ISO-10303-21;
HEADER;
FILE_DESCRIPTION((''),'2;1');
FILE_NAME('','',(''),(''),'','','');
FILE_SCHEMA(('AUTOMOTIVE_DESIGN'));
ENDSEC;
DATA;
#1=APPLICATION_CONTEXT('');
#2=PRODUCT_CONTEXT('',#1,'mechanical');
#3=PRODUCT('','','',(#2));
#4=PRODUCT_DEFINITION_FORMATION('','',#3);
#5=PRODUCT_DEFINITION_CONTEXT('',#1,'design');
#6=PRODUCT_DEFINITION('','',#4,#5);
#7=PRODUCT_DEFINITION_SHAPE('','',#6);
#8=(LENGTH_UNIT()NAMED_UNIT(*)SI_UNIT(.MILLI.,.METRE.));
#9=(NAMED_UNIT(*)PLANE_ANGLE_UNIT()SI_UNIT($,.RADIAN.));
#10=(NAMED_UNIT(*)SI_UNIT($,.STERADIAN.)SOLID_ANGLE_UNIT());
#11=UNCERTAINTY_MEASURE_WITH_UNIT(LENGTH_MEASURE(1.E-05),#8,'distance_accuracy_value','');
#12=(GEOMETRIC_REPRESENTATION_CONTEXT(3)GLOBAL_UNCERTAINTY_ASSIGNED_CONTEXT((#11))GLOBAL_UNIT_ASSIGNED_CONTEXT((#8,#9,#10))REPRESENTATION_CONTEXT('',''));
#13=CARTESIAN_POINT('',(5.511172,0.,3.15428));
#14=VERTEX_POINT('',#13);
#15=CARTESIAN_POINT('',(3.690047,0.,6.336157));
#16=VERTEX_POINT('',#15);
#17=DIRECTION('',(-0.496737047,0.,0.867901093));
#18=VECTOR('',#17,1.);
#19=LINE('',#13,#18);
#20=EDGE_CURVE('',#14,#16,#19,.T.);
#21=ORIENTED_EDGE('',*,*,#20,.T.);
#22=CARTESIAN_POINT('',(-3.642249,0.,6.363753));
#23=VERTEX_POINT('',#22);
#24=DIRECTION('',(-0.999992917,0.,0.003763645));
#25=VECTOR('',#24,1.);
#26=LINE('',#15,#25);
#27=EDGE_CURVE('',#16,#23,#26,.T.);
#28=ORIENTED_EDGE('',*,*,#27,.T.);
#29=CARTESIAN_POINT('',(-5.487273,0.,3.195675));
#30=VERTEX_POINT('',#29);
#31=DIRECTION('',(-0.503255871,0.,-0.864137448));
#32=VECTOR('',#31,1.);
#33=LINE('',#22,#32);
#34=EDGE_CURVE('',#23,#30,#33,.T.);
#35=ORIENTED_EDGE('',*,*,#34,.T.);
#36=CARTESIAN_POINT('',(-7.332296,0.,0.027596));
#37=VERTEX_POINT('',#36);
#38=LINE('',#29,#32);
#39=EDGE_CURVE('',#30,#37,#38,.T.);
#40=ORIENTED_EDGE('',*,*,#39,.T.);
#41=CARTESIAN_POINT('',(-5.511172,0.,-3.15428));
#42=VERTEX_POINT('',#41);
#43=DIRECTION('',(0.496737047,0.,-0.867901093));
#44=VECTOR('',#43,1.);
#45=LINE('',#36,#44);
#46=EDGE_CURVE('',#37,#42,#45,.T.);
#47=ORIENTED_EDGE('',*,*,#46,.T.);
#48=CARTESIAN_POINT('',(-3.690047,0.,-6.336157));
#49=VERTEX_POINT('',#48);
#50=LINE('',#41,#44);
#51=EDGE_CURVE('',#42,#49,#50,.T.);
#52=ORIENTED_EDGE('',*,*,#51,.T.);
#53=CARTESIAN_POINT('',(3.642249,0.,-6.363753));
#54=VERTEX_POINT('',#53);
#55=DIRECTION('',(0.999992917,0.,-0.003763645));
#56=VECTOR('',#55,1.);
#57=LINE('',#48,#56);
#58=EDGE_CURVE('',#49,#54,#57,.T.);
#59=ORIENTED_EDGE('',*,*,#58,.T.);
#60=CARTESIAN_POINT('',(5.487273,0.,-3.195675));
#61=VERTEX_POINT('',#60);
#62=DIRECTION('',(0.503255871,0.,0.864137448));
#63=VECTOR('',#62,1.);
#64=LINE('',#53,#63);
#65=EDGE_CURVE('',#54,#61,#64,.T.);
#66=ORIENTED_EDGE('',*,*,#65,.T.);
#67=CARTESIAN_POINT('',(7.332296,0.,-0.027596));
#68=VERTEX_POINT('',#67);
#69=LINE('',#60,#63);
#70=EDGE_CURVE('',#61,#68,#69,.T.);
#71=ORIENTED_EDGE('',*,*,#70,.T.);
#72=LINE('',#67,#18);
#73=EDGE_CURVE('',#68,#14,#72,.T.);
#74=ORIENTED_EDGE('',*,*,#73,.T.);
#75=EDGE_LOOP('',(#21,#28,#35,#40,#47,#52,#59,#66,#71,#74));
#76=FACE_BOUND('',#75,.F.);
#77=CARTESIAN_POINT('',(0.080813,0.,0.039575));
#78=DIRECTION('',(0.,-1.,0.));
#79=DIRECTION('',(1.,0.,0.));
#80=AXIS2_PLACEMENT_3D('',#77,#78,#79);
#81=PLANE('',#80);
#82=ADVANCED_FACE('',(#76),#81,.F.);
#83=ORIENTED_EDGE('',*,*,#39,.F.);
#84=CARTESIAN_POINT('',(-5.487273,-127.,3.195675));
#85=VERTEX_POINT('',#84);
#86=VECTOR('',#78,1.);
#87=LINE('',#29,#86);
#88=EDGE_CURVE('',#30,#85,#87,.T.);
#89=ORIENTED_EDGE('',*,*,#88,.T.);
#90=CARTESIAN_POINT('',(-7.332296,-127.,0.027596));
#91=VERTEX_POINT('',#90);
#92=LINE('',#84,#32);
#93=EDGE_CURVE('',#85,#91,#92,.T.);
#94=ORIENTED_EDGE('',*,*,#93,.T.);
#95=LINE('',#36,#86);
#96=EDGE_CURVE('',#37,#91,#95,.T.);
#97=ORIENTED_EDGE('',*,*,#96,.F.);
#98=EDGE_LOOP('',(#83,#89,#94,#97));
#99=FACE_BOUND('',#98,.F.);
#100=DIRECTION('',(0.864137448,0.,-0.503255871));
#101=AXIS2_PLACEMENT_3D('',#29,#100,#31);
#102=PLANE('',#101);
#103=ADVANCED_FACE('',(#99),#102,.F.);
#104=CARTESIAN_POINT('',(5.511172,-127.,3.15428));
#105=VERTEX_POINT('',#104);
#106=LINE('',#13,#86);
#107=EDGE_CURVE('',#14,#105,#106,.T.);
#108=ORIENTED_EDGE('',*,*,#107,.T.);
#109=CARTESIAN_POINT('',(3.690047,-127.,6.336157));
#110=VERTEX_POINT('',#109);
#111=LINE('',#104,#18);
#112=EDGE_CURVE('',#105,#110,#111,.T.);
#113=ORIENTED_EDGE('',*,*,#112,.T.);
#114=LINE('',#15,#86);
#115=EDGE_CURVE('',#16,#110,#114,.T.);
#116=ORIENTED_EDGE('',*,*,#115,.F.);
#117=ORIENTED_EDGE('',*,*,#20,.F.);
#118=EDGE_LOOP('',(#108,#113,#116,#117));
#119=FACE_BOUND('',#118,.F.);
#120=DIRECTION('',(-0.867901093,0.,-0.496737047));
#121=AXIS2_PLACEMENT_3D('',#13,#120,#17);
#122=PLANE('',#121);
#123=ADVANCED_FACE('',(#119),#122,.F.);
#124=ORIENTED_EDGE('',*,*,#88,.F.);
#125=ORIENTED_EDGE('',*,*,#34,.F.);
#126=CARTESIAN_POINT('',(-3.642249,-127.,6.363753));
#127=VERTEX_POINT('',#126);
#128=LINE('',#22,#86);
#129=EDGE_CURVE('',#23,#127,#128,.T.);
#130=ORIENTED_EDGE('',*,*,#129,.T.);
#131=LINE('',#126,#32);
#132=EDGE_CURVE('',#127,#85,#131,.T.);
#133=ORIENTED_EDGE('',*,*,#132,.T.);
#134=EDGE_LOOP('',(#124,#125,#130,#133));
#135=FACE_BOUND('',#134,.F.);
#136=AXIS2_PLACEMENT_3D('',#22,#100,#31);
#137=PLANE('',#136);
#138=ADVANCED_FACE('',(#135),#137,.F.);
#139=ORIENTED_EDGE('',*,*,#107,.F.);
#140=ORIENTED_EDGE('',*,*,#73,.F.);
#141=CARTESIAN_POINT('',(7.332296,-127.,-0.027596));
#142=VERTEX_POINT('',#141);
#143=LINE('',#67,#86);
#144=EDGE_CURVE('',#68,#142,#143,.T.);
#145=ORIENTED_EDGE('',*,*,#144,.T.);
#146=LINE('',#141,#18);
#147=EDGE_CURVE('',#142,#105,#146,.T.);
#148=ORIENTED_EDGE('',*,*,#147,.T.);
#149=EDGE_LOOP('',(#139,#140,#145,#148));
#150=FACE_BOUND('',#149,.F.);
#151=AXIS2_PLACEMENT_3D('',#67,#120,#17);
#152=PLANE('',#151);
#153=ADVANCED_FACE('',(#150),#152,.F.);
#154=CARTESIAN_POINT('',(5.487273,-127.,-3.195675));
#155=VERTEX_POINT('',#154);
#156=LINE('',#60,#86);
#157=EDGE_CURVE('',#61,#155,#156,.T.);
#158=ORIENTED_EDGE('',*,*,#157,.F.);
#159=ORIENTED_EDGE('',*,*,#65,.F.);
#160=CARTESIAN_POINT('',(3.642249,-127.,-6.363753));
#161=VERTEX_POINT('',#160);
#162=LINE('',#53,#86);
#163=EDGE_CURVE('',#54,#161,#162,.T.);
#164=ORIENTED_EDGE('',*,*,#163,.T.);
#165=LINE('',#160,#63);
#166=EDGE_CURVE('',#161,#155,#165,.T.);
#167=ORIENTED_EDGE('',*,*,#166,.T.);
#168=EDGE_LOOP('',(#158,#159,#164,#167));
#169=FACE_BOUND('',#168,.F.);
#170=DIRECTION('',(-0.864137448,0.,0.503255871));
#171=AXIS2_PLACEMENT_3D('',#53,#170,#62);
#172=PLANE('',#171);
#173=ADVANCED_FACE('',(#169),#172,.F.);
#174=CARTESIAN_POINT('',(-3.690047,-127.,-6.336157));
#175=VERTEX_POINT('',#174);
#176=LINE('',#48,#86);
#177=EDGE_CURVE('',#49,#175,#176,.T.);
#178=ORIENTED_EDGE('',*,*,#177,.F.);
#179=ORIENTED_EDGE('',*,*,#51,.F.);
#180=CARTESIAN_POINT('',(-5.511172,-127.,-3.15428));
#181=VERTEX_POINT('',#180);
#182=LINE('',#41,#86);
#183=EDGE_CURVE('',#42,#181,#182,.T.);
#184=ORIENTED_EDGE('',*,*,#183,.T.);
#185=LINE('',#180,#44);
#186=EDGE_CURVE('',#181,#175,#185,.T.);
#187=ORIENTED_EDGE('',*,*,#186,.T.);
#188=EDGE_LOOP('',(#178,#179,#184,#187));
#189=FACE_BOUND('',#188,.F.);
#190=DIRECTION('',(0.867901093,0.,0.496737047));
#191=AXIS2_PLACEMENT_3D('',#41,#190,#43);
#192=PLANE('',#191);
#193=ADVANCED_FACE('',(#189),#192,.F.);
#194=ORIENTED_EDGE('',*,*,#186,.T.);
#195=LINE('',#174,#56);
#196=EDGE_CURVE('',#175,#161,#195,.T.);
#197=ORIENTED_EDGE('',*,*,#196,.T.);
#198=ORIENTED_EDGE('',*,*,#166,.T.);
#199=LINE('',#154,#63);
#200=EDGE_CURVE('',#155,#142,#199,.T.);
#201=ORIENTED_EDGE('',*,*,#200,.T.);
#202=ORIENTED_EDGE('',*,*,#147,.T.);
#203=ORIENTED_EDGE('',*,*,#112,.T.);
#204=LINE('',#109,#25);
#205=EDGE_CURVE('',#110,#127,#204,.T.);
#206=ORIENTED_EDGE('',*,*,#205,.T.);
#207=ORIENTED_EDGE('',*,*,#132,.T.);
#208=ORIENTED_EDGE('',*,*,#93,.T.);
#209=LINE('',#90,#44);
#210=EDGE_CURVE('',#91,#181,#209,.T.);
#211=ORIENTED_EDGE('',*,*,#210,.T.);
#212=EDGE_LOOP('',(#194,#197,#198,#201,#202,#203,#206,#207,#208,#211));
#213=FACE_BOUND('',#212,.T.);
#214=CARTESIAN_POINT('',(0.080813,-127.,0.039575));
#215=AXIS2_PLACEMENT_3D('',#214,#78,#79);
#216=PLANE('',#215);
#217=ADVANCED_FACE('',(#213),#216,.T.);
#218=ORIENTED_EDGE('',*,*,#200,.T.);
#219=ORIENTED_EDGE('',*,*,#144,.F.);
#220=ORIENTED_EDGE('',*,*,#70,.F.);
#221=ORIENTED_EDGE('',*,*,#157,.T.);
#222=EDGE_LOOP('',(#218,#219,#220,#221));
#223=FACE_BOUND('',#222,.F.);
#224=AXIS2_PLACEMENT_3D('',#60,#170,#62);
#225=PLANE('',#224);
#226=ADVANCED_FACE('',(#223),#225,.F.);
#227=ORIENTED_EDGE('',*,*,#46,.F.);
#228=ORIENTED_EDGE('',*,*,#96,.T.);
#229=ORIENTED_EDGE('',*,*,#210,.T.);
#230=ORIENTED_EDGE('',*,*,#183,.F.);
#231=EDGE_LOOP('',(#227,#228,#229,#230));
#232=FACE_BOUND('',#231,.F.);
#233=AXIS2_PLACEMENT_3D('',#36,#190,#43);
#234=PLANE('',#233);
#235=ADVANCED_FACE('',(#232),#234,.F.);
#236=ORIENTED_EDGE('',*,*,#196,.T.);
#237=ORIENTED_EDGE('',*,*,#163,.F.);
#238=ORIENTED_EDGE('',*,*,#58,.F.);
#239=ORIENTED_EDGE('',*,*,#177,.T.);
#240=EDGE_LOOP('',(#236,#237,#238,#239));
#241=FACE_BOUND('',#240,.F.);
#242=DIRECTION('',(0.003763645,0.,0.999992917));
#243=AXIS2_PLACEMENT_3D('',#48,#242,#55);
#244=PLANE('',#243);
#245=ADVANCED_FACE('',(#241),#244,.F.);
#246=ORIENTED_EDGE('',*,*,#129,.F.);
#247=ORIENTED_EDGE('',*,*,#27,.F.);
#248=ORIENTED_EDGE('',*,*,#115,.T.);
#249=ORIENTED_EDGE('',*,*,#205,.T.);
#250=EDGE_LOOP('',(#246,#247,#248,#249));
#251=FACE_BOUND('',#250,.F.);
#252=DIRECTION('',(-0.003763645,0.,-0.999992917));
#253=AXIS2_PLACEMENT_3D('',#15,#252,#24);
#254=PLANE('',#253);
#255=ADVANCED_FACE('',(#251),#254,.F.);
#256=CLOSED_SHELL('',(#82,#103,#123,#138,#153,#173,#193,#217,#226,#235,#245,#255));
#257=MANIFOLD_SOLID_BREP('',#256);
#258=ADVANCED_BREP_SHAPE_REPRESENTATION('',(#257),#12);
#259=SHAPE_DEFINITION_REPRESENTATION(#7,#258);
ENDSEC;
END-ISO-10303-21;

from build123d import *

# Parameters (mm, degrees)
F1_DEPTH = 127


with BuildPart() as f1:
    # F0 (on Front) → F1 (new body)
    with BuildSketch(Plane.XZ):
        with BuildLine():
            ThreePointArc((5.4872727498, -3.1956748535), (6.130525343, -1.6550404888), (6.35, 0))
            ThreePointArc((6.35, 0), (6.136710925, 1.6319555825), (5.5111719612, 3.1542802054))
            ThreePointArc((5.5111719612, 3.1542802054), (3.1956748226, 5.4872727678), (0.0238991973, 6.3499550257))
            ThreePointArc((0.0238991973, 6.3499550257), (-3.1542802223, 5.5111719515), (-5.4872727914, 3.195674782))
            ThreePointArc((-5.4872727914, 3.195674782), (-6.3499550258, 0.0238991699), (-5.5111719612, -3.1542802054))
            ThreePointArc((-5.5111719612, -3.1542802054), (-3.1956748226, -5.4872727678), (-0.0238991973, -6.3499550257))
            ThreePointArc((-0.0238991973, -6.3499550257), (3.1542801864, -5.511171972), (5.4872727498, -3.1956748535))
        make_face()
        with BuildLine():
            ThreePointArc((5.5111719612, 3.1542802054), (6.136710925, 1.6319555825), (6.35, 0))
            ThreePointArc((6.35, 0), (6.130525343, -1.6550404888), (5.4872727498, -3.1956748535))
            Line((5.4872727498, -3.1956748535), (7.3322964871, -0.027596355))
            Line((7.3322964871, -0.027596355), (5.5111719612, 3.1542802054))
        make_face()
        with BuildLine():
            ThreePointArc((0.0238991973, 6.3499550257), (3.1956748226, 5.4872727678), (5.5111719612, 3.1542802054))
            Line((5.5111719612, 3.1542802054), (3.690047388, 6.3361568484))
            Line((3.690047388, 6.3361568484), (0.0238991973, 6.3499550257))
        make_face()
        with BuildLine():
            Line((3.6422490991, -6.3637532034), (5.4872727498, -3.1956748535))
            ThreePointArc((5.4872727498, -3.1956748535), (3.1542801864, -5.511171972), (-0.0238991973, -6.3499550257))
            Line((-0.0238991973, -6.3499550257), (3.6422490991, -6.3637532034))
        make_face()
        with BuildLine():
            ThreePointArc((-5.4872727914, 3.195674782), (-3.1542802223, 5.5111719515), (0.0238991973, 6.3499550257))
            Line((0.0238991973, 6.3499550257), (-3.6422490991, 6.3637532034))
            Line((-3.6422490991, 6.3637532034), (-5.4872727914, 3.195674782))
        make_face()
        with BuildLine():
            Line((-3.690047388, -6.3361568484), (-0.0238991973, -6.3499550257))
            ThreePointArc((-0.0238991973, -6.3499550257), (-3.1956748226, -5.4872727678), (-5.5111719612, -3.1542802054))
            Line((-5.5111719612, -3.1542802054), (-3.690047388, -6.3361568484))
        make_face()
        with BuildLine():
            ThreePointArc((-5.5111719612, -3.1542802054), (-6.3499550258, 0.0238991699), (-5.4872727914, 3.195674782))
            Line((-5.4872727914, 3.195674782), (-7.3322964871, 0.027596355))
            Line((-7.3322964871, 0.027596355), (-5.5111719612, -3.1542802054))
        make_face()
    extrude(amount=F1_DEPTH)


solid = f1.part
